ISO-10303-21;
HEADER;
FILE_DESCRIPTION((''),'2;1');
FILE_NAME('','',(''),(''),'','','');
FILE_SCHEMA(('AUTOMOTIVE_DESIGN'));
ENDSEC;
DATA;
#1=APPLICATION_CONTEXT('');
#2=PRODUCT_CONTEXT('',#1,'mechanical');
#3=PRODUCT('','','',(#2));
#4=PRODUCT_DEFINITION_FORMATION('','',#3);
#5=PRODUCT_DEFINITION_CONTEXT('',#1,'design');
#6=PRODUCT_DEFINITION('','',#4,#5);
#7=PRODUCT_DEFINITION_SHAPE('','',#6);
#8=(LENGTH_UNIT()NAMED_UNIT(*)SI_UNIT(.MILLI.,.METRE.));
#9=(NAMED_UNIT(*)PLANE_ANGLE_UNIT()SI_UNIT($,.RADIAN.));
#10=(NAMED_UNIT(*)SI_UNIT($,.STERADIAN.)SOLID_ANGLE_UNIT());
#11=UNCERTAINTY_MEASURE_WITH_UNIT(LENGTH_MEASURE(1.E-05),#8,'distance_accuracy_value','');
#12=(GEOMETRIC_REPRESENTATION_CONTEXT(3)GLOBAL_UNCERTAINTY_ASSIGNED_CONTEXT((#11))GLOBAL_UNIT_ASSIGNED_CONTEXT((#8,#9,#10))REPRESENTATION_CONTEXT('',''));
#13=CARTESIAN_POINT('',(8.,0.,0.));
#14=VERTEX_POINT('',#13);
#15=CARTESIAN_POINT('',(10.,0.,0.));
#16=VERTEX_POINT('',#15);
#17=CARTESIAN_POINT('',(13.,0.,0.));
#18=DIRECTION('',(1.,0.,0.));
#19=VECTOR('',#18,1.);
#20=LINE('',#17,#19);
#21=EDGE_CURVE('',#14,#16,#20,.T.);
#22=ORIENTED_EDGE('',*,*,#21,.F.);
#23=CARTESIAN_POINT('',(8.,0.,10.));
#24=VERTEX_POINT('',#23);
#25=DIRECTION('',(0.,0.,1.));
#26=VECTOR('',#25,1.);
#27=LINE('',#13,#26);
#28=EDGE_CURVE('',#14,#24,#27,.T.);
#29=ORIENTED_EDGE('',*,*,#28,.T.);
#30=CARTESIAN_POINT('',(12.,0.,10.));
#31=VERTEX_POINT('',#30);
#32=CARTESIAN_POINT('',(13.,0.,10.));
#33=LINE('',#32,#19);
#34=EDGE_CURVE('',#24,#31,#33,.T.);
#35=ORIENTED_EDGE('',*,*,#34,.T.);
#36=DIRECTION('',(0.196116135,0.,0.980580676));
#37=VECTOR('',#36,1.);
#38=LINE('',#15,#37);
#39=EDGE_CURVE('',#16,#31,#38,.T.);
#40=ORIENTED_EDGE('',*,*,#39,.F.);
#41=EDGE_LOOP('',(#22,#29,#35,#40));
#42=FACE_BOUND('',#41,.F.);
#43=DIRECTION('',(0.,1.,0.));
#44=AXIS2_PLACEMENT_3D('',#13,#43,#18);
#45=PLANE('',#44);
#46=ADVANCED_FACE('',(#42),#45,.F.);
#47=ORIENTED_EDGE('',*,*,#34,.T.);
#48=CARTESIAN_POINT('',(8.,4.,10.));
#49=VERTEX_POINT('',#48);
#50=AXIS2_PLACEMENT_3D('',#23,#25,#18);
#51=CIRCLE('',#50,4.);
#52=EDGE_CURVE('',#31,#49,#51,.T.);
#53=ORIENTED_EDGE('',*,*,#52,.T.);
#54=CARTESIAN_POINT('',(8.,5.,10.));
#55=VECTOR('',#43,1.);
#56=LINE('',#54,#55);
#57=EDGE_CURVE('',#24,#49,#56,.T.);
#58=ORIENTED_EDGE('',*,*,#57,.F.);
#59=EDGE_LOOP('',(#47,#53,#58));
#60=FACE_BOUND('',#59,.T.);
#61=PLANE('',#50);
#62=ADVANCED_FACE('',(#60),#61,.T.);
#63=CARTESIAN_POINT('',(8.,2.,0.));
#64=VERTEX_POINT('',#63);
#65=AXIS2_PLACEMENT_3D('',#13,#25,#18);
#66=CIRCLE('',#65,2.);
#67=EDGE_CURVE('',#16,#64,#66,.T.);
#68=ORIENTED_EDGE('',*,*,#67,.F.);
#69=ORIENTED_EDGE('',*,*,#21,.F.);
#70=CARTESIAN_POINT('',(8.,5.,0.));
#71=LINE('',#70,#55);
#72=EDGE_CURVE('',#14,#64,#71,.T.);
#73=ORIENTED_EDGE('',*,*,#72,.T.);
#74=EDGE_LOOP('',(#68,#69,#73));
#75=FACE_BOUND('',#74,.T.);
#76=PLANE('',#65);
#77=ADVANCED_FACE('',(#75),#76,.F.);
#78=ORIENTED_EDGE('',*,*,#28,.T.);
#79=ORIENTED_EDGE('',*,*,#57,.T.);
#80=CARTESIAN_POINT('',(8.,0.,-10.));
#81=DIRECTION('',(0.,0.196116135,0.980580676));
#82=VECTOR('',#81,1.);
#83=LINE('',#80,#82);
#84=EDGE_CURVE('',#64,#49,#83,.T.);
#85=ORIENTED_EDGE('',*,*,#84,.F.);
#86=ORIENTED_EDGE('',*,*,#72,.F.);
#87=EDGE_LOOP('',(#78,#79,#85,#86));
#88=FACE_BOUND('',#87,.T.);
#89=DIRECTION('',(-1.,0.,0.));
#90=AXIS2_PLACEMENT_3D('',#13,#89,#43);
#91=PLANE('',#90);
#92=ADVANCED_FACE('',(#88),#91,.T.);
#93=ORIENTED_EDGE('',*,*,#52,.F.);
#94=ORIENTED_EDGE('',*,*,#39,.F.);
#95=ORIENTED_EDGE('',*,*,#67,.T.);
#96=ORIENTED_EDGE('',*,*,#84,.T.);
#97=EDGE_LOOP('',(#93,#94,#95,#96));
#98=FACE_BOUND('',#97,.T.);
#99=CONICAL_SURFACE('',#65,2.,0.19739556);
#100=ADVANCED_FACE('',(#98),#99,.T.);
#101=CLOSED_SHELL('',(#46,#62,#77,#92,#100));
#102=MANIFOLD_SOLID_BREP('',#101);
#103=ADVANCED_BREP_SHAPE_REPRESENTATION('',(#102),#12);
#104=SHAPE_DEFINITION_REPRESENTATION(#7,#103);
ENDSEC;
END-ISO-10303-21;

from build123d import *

# Parameters (mm, degrees)
BOX001_W     = 10
BOX001_H     = 10
BOX001_DEPTH = 10


with BuildPart() as cube001:
    # Box001 → Box001 (new body)
    with BuildSketch(Plane.XY):
        with Locations((5, 5)):
            Rectangle(BOX001_W, BOX001_H)
    extrude(amount=BOX001_DEPTH)


with BuildPart() as common001:
    # Cone → Cone (revolve)
    with BuildSketch(Plane.XZ):
        Polygon((0, 0), (2, 0), (4, 10), (0, 10), align=None)
    revolve(axis=Axis((0, 0, 0), (0, 0, 1)))

    # Common001: intersect Cube001
    add(cube001.part, mode=Mode.INTERSECT)


with BuildPart() as common001_1:
    # Common001 placement: moved
    add(common001.part.moved(Location((8, 0, 0))))


solid = common001_1.part
